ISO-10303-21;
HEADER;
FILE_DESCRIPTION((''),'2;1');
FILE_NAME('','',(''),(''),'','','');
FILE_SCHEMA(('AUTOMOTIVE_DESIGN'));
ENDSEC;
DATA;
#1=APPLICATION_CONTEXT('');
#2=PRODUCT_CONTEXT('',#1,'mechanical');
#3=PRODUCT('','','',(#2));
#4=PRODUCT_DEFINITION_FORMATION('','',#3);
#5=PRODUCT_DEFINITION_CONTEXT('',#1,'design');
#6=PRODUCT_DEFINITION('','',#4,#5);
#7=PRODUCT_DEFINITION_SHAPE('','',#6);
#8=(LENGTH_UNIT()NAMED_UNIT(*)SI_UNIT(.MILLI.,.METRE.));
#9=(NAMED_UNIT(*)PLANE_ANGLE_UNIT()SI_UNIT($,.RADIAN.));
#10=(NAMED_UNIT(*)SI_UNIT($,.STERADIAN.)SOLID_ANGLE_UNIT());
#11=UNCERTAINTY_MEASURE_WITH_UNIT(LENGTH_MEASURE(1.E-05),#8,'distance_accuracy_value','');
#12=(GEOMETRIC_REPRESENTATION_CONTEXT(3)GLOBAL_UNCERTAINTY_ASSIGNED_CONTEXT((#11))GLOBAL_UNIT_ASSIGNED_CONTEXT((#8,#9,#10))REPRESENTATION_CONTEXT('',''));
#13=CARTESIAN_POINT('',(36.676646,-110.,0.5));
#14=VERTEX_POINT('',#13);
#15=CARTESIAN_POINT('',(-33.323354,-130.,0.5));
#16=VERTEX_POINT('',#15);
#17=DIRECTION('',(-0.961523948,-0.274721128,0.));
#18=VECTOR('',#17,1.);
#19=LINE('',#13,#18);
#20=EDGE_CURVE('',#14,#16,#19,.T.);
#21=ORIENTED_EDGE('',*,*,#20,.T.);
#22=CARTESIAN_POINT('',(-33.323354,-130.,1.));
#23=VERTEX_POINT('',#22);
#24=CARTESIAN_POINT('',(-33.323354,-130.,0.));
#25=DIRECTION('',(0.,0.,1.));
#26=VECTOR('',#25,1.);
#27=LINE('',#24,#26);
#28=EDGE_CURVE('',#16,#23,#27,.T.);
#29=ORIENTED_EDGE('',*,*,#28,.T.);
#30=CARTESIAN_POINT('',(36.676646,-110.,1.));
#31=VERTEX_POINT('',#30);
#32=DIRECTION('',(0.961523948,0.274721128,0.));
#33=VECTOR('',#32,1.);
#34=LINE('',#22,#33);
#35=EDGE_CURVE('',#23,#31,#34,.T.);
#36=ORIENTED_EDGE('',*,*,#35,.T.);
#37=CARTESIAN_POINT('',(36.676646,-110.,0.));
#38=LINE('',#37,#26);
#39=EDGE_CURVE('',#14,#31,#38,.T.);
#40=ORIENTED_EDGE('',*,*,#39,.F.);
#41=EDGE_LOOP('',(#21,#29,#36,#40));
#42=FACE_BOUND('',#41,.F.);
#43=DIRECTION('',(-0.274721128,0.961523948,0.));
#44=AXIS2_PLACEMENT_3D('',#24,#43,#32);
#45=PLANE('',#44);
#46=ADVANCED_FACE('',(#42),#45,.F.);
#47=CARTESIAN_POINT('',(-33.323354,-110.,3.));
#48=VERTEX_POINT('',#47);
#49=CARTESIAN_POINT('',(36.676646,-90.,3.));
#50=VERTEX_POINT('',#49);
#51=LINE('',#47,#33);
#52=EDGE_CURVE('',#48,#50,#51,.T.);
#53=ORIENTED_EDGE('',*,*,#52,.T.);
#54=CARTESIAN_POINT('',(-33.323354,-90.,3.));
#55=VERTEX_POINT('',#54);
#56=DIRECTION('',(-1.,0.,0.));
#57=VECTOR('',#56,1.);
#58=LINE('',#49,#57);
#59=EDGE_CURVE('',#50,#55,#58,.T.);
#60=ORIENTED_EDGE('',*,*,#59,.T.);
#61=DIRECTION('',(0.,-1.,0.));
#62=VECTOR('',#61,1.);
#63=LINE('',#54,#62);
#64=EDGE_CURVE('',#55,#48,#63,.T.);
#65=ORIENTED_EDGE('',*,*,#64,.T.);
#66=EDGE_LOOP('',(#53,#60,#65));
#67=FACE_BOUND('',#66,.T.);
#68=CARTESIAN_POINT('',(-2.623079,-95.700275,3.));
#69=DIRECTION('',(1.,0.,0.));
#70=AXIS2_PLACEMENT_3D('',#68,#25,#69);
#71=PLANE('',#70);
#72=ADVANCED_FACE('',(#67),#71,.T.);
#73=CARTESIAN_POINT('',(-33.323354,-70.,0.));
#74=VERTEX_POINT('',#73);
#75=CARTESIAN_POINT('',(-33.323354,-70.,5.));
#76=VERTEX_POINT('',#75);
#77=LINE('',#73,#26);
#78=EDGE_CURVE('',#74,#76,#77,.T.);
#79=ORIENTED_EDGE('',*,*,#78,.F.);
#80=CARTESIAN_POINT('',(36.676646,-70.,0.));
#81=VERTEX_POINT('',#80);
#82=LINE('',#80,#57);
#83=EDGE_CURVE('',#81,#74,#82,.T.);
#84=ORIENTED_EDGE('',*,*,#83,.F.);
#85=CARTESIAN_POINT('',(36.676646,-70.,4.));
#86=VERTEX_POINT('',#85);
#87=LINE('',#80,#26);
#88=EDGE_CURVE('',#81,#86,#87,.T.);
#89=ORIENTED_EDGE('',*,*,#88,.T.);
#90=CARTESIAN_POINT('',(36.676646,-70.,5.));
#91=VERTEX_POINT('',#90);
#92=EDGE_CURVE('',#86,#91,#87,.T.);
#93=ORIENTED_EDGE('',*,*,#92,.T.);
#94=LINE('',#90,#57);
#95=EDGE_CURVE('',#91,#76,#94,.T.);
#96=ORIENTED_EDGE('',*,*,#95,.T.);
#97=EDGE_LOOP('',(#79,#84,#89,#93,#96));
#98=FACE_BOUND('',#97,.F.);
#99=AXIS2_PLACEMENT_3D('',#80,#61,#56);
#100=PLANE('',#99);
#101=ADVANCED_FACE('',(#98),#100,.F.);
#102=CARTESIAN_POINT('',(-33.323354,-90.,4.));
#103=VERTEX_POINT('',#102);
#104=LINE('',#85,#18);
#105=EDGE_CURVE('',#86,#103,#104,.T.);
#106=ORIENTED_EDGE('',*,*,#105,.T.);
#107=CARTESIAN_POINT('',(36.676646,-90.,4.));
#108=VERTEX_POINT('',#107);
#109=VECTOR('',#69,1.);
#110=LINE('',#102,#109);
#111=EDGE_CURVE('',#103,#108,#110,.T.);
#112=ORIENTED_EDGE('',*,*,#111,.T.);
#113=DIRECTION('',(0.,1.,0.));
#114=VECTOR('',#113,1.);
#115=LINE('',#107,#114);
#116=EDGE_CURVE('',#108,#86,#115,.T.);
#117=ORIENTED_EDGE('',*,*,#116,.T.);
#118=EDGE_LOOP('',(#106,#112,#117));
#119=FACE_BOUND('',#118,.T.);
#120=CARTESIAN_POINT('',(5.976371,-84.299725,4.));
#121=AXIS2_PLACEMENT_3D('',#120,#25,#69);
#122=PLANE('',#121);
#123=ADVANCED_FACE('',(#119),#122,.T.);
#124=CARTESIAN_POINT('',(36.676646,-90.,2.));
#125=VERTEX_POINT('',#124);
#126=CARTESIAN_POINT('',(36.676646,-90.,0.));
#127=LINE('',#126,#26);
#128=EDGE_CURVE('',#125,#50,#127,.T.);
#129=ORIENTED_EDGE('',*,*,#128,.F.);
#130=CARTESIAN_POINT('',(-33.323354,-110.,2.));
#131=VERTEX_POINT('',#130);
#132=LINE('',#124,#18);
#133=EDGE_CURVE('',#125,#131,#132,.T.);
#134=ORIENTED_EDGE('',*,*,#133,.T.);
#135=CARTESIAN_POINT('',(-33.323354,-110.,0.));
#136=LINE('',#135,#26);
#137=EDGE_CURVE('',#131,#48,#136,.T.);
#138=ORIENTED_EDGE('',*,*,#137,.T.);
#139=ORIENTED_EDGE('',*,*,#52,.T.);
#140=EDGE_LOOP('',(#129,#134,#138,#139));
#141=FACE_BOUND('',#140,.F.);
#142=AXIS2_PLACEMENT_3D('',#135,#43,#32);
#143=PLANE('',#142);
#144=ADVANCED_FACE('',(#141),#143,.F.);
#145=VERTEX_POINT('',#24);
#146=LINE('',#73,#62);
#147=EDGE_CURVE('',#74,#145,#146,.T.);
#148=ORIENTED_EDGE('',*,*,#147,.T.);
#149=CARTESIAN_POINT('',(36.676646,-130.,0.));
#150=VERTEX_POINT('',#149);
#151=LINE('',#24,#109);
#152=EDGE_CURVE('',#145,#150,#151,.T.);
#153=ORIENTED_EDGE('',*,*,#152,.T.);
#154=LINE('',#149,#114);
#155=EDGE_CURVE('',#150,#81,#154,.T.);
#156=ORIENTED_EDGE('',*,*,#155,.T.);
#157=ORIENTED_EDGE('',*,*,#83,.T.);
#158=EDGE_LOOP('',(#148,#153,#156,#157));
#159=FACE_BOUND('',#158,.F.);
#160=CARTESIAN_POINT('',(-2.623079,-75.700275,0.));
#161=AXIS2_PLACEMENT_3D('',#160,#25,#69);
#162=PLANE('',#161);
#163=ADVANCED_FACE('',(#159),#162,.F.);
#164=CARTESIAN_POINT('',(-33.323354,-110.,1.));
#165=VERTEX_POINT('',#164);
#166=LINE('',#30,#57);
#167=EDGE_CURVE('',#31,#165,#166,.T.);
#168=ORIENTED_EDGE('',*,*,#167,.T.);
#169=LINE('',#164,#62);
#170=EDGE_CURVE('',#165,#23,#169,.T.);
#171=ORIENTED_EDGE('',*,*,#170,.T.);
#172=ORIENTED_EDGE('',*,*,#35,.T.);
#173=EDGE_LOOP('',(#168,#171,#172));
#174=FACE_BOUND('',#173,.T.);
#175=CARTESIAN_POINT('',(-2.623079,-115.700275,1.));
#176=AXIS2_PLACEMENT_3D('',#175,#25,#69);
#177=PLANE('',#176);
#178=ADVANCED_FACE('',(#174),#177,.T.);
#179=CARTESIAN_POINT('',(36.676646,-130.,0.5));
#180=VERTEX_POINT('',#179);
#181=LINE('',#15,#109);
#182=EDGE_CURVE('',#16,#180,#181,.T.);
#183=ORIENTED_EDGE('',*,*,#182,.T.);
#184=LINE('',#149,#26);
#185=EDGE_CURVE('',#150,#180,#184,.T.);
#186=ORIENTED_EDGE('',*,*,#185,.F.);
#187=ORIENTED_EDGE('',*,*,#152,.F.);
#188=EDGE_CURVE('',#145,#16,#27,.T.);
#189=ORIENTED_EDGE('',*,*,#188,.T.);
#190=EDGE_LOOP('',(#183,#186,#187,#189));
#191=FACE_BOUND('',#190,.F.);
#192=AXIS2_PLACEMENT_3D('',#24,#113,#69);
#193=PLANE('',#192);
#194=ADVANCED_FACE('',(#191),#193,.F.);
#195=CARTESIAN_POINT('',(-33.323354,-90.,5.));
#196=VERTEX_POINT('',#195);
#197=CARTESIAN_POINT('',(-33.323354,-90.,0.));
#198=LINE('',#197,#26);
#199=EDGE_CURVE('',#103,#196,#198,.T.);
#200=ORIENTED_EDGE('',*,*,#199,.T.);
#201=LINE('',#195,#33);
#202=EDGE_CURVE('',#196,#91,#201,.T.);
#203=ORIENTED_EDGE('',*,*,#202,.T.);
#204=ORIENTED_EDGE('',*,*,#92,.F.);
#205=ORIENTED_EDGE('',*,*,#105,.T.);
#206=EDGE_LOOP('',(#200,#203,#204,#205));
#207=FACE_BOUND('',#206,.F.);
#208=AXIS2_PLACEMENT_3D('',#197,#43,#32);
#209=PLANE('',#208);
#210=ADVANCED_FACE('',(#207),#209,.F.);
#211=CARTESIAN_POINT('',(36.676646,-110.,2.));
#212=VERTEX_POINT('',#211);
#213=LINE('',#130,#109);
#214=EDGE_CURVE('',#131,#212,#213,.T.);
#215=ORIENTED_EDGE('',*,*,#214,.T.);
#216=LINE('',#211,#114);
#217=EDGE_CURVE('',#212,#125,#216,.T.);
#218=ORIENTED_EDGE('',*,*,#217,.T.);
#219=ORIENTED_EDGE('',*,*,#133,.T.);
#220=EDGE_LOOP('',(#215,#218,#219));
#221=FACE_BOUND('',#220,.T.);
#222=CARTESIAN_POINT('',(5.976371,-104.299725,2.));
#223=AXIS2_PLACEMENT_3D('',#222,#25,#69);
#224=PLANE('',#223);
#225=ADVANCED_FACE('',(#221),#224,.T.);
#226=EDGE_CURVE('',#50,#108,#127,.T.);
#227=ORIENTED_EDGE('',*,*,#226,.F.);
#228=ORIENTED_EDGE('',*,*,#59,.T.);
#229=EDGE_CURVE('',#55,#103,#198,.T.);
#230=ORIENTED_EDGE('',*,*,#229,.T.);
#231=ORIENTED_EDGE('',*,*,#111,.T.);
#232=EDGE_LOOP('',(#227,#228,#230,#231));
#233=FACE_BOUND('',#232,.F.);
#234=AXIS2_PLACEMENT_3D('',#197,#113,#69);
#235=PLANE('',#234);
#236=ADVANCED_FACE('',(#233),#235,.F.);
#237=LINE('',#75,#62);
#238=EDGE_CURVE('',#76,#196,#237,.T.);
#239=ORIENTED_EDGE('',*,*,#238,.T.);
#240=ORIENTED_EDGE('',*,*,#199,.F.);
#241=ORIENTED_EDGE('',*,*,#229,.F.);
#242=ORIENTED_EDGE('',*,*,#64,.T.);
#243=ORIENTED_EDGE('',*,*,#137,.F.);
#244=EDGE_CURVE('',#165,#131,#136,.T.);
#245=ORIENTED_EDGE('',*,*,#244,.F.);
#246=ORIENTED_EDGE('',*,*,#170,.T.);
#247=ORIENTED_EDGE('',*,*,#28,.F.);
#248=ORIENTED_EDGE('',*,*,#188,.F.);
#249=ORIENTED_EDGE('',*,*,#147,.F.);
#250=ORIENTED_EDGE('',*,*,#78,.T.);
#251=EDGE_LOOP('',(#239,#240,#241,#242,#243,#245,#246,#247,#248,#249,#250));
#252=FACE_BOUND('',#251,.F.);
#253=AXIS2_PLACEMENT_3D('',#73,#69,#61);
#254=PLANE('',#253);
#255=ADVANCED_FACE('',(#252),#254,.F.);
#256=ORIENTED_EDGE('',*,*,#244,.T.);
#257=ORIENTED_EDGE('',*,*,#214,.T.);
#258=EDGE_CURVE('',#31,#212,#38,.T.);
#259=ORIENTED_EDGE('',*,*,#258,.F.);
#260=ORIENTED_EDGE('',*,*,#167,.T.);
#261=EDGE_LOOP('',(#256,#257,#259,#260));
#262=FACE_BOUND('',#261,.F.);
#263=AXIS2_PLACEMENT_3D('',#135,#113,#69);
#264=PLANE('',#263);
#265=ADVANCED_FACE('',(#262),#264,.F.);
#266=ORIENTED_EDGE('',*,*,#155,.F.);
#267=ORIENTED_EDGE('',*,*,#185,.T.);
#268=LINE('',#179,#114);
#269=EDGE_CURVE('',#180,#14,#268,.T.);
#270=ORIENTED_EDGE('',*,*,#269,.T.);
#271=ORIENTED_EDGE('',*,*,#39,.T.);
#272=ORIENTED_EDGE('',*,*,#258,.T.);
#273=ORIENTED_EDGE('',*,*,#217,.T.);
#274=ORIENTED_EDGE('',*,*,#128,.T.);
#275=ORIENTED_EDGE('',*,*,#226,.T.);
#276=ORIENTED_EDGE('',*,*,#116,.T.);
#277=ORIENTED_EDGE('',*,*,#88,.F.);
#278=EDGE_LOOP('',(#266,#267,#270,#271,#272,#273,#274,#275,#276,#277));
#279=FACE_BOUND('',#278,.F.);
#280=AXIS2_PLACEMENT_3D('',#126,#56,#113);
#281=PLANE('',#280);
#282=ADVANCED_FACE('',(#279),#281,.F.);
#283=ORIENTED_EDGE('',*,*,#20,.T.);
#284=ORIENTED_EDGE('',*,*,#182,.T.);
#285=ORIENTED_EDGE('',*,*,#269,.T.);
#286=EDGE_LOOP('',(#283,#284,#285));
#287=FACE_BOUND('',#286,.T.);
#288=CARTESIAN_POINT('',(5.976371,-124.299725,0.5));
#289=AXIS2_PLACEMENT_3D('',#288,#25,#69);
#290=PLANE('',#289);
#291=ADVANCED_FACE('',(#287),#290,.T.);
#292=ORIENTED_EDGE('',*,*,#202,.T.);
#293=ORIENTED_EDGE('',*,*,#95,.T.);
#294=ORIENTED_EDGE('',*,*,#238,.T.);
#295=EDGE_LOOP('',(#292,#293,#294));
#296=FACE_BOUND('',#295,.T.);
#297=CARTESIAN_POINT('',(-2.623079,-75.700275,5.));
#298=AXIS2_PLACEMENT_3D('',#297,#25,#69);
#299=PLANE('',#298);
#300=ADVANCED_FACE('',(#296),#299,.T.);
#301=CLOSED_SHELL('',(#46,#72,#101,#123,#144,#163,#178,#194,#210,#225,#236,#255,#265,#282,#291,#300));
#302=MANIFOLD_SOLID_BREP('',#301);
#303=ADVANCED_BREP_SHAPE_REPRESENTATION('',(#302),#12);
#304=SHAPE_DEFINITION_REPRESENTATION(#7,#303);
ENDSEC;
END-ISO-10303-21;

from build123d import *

# Parameters (mm, degrees)
F1_DEPTH = 0.5
F2_DEPTH = 1
F3_DEPTH = 2
F4_DEPTH = 3
F5_DEPTH = 4
F6_DEPTH = 5


with BuildPart() as f1:
    # F0 (on Top) → F1 (new body)
    with BuildSketch(Plane.XY):
        Polygon((36.676646, -130), (36.676646, -110), (-33.323354, -130), align=None)
    extrude(amount=F1_DEPTH)

    # F0 (on Top) → F2 (join)
    with BuildSketch(Plane.XY):
        Polygon((36.676646, -110), (-33.323354, -110), (-33.323354, -130), align=None)
    extrude(amount=F2_DEPTH)

    # F0 (on Top) → F3 (join)
    with BuildSketch(Plane.XY):
        Polygon((36.676646, -110), (36.676646, -90), (-33.323354, -110), align=None)
    extrude(amount=F3_DEPTH)

    # F0 (on Top) → F4 (join)
    with BuildSketch(Plane.XY):
        Polygon((36.676646, -90), (-33.323354, -90), (-33.323354, -110), align=None)
    extrude(amount=F4_DEPTH)

    # F0 (on Top) → F5 (join)
    with BuildSketch(Plane.XY):
        Polygon((36.676646, -90), (36.676646, -70), (-33.323354, -90), align=None)
    extrude(amount=F5_DEPTH)

    # F0 (on Top) → F6 (join)
    with BuildSketch(Plane.XY):
        Polygon((36.676646, -70), (-33.323354, -70), (-33.323354, -90), align=None)
    extrude(amount=F6_DEPTH)


solid = f1.part
